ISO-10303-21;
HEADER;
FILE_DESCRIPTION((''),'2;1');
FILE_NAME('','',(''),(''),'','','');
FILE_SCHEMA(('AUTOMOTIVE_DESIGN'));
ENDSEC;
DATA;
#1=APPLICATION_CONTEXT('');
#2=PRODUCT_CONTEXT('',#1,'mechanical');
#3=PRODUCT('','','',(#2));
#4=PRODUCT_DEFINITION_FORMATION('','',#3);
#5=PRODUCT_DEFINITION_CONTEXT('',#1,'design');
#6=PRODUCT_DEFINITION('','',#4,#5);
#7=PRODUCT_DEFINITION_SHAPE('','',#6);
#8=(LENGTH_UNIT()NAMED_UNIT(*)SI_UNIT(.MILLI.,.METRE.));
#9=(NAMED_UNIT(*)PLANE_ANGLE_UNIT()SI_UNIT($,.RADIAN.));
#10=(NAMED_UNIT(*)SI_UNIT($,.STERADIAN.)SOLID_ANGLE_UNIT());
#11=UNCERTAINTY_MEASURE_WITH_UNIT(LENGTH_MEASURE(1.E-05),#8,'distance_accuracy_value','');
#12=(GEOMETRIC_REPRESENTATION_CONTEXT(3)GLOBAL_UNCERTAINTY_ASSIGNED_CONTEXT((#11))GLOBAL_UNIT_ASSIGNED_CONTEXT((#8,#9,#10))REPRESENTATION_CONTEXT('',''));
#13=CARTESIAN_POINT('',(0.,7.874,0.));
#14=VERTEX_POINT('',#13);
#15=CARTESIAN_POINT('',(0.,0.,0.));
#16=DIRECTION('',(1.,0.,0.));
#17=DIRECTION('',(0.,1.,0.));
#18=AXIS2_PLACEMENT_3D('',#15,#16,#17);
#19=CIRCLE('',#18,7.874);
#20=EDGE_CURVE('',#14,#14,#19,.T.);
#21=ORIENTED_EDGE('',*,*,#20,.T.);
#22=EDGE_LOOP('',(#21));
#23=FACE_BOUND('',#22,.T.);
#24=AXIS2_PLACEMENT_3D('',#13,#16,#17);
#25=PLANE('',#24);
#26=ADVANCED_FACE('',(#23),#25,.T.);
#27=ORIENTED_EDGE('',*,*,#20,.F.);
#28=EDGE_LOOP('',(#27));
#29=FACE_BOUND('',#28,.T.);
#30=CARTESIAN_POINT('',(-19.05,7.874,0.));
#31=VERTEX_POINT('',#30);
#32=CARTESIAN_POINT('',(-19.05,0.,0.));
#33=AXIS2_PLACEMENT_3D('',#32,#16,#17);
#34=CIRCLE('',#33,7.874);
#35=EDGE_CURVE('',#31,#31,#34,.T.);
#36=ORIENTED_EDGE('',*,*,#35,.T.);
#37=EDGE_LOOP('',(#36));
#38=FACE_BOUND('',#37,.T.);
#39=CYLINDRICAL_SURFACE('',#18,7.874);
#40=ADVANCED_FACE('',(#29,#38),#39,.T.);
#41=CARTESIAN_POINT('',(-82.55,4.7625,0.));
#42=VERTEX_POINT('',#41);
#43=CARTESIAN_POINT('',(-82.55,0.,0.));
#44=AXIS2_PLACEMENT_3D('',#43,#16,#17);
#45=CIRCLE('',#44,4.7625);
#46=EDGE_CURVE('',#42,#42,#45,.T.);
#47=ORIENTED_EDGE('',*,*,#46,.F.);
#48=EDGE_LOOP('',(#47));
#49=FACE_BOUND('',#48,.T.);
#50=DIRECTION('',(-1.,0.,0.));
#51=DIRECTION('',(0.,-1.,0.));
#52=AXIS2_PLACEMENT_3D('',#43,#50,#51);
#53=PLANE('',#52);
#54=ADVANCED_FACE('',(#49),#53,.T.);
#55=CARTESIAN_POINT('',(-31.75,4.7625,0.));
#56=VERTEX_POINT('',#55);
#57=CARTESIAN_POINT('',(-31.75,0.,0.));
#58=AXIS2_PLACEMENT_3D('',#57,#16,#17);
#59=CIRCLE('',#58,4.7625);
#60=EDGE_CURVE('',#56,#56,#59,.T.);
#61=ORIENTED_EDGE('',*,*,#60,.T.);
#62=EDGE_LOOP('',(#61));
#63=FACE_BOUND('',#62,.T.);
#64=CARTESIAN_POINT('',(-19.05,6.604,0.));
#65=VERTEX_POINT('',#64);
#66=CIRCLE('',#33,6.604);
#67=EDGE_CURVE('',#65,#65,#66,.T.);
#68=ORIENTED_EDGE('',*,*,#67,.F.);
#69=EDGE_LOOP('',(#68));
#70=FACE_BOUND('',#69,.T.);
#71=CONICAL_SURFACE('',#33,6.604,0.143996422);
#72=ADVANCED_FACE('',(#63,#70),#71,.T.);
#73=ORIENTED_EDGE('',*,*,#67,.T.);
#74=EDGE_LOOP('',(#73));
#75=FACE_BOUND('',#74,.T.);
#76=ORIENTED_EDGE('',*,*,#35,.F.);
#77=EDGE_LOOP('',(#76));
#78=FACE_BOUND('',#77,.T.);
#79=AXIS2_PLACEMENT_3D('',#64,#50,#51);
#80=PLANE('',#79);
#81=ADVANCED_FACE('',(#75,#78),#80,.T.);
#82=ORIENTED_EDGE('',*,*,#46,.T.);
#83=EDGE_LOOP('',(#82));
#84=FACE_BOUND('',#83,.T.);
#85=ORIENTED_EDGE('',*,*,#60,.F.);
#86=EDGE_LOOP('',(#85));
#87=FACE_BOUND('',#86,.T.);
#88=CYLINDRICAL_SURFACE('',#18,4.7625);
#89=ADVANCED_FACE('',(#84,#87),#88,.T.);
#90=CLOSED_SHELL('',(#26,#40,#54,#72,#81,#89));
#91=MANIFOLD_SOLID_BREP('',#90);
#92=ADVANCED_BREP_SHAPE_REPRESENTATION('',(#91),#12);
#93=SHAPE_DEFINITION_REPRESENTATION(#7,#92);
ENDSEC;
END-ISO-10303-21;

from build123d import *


with BuildPart() as part:
    # Sketch1 → Revolve1 (revolve)
    with BuildSketch(Plane.XY):
        Polygon((0, 0), (-82.55, 0), (-82.55, 4.7625), (-31.75, 4.7625), (-19.05, 6.604), (-19.05, 7.874), (0, 7.874), align=None)
    revolve(axis=Axis((0, 0, 0), (-1, 0, 0)))


solid = part.part
